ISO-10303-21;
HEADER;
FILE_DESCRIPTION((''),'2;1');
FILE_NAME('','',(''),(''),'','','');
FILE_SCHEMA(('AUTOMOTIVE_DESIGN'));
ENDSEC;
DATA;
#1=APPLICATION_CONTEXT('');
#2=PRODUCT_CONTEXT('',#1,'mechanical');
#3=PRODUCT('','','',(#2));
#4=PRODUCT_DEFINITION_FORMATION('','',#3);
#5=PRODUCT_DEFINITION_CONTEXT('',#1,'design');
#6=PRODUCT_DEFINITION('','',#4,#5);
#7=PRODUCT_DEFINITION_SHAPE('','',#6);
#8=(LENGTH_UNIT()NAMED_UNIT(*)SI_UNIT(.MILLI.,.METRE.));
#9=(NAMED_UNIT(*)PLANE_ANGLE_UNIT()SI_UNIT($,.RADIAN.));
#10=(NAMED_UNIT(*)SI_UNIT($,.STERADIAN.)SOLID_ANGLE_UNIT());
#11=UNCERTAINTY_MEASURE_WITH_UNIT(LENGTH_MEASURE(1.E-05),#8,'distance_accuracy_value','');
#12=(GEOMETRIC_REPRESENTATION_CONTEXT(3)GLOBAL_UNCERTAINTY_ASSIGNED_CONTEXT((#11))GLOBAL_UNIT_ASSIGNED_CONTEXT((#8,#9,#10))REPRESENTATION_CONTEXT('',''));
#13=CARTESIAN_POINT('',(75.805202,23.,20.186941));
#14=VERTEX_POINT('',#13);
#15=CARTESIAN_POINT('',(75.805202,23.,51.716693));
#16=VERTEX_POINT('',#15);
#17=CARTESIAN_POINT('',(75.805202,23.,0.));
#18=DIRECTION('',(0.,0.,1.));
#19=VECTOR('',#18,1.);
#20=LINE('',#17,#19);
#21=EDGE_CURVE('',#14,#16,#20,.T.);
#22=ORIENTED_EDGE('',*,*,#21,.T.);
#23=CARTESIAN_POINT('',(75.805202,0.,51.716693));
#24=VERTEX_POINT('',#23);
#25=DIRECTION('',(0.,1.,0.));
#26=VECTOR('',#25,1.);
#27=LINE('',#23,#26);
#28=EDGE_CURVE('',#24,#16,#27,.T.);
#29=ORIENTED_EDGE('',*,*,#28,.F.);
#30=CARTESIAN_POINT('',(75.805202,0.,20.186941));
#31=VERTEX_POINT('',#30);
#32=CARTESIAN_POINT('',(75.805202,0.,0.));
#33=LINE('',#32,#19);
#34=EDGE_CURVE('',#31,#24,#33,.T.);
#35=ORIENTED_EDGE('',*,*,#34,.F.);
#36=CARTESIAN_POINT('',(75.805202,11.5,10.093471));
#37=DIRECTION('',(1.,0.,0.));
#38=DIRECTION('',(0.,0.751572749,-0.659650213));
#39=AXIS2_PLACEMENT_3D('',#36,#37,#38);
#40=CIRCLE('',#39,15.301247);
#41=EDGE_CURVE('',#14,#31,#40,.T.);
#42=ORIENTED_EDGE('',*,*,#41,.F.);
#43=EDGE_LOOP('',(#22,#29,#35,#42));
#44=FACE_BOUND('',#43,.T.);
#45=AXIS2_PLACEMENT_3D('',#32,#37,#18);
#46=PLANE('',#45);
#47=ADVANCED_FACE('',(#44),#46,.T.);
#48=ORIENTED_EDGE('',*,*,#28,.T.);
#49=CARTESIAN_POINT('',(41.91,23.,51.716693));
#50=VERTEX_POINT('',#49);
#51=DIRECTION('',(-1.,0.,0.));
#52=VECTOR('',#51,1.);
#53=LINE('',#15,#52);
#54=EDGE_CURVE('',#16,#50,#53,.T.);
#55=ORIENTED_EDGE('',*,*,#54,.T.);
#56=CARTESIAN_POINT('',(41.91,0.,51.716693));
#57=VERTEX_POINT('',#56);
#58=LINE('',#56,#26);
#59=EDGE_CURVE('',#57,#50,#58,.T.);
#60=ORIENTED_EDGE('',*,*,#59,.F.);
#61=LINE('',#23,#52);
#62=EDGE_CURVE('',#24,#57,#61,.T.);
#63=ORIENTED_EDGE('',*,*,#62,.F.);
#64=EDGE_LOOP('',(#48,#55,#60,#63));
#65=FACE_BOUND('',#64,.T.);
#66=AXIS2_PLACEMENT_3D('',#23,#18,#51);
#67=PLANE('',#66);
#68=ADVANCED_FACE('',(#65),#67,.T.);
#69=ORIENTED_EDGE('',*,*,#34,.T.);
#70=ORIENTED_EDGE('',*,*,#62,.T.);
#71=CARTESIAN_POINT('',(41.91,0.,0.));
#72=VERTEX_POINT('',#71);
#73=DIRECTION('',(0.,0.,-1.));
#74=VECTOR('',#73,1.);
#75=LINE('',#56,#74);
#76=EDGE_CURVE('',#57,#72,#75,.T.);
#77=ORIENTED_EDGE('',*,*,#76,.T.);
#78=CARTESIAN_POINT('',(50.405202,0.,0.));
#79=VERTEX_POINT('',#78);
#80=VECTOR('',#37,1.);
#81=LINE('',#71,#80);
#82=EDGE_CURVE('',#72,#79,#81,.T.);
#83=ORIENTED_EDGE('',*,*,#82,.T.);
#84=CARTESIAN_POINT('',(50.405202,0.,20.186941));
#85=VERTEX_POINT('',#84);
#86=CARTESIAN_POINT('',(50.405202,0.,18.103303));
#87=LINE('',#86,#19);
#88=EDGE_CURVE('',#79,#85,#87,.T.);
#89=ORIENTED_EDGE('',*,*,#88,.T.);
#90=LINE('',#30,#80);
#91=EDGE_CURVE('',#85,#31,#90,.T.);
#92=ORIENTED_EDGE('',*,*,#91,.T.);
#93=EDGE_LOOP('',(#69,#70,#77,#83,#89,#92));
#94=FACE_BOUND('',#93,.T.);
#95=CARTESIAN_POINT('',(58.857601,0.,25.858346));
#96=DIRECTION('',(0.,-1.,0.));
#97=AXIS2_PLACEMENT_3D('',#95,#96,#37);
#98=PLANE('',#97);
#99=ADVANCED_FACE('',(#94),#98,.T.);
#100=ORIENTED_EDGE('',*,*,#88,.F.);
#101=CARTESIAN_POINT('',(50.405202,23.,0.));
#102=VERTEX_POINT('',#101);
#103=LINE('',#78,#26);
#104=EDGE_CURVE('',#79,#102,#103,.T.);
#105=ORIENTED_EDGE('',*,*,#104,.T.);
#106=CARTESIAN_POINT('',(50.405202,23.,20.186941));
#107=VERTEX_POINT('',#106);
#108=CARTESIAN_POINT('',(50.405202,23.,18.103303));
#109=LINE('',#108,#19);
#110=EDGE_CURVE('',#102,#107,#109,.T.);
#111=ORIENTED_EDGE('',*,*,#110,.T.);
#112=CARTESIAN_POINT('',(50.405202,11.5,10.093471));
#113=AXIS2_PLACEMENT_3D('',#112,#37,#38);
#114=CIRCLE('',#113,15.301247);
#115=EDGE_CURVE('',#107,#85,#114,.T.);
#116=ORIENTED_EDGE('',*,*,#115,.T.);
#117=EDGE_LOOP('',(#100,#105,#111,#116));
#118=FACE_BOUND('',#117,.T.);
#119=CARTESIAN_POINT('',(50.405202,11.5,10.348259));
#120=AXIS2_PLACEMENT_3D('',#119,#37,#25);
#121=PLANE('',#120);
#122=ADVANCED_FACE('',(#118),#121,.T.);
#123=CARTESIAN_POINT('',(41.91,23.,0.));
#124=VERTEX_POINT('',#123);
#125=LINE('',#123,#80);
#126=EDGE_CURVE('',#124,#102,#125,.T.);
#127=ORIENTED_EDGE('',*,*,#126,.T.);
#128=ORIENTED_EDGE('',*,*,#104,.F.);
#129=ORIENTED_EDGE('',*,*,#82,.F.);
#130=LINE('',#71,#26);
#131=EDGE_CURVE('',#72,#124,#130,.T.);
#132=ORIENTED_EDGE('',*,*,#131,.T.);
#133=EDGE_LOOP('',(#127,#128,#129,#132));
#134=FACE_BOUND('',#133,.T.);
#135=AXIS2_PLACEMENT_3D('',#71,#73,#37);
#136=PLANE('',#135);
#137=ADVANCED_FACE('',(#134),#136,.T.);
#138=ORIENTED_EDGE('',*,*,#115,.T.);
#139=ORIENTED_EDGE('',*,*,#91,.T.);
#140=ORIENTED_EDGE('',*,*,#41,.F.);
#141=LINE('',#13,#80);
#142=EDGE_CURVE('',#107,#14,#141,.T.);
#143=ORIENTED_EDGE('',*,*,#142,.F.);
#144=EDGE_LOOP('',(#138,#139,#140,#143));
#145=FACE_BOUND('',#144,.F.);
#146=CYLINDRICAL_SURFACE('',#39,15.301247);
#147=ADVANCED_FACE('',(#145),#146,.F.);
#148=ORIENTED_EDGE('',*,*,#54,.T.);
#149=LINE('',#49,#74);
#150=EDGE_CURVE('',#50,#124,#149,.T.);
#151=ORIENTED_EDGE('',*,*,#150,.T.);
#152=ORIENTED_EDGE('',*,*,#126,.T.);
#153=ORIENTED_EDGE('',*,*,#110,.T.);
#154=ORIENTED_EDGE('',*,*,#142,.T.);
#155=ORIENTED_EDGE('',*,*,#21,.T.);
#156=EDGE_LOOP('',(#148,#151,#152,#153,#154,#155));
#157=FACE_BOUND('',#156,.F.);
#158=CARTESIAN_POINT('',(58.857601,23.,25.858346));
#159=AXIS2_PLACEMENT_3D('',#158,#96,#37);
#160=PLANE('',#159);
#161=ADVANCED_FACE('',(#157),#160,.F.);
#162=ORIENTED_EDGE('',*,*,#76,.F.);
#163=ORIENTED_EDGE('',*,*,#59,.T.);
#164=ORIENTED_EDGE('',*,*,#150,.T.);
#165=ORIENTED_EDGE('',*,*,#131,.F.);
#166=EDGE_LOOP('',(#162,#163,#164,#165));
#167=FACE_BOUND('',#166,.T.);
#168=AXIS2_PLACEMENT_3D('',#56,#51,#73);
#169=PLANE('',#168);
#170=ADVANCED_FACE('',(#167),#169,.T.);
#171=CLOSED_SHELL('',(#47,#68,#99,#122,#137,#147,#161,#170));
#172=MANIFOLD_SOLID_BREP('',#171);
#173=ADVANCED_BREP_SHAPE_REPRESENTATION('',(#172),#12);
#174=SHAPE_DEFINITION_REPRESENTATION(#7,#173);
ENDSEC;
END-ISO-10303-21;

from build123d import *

# Parameters (mm, degrees)
F1_DEPTH   = 23
F1_FACE1_W = 23
F1_FACE1_H = 51.7166927457
F3_DEPTH   = 25.4


with BuildPart() as f1:
    # F0 (on Front) → F1 (new body)
    with BuildSketch(Plane.XZ):
        Polygon((41.91, 51.7166927457), (41.91, 51.36642), (41.91, 0), (75.8052021265, 0), (75.8052021265, 51.7166927457), align=None)
    extrude(amount=-F1_DEPTH)

    # F2 (on face) + F1_face1 (on face) → F3 (cut)
    with BuildSketch(Plane.YZ.offset(75.8052021265)):
        with BuildLine():
            Line((0, 0), (23, 0))
            ThreePointArc((23, 0), (11.5, 25.3947172526), (0, 0))
        make_face()
    with BuildSketch(Plane(origin=(41.91, 11.5, 25.8583463728), x_dir=(0, -1, 0), z_dir=(-1, 0, 0))):
        Rectangle(F1_FACE1_W, F1_FACE1_H)
    extrude(amount=-F3_DEPTH, dir=(1, 0, 0), mode=Mode.SUBTRACT)


solid = f1.part
